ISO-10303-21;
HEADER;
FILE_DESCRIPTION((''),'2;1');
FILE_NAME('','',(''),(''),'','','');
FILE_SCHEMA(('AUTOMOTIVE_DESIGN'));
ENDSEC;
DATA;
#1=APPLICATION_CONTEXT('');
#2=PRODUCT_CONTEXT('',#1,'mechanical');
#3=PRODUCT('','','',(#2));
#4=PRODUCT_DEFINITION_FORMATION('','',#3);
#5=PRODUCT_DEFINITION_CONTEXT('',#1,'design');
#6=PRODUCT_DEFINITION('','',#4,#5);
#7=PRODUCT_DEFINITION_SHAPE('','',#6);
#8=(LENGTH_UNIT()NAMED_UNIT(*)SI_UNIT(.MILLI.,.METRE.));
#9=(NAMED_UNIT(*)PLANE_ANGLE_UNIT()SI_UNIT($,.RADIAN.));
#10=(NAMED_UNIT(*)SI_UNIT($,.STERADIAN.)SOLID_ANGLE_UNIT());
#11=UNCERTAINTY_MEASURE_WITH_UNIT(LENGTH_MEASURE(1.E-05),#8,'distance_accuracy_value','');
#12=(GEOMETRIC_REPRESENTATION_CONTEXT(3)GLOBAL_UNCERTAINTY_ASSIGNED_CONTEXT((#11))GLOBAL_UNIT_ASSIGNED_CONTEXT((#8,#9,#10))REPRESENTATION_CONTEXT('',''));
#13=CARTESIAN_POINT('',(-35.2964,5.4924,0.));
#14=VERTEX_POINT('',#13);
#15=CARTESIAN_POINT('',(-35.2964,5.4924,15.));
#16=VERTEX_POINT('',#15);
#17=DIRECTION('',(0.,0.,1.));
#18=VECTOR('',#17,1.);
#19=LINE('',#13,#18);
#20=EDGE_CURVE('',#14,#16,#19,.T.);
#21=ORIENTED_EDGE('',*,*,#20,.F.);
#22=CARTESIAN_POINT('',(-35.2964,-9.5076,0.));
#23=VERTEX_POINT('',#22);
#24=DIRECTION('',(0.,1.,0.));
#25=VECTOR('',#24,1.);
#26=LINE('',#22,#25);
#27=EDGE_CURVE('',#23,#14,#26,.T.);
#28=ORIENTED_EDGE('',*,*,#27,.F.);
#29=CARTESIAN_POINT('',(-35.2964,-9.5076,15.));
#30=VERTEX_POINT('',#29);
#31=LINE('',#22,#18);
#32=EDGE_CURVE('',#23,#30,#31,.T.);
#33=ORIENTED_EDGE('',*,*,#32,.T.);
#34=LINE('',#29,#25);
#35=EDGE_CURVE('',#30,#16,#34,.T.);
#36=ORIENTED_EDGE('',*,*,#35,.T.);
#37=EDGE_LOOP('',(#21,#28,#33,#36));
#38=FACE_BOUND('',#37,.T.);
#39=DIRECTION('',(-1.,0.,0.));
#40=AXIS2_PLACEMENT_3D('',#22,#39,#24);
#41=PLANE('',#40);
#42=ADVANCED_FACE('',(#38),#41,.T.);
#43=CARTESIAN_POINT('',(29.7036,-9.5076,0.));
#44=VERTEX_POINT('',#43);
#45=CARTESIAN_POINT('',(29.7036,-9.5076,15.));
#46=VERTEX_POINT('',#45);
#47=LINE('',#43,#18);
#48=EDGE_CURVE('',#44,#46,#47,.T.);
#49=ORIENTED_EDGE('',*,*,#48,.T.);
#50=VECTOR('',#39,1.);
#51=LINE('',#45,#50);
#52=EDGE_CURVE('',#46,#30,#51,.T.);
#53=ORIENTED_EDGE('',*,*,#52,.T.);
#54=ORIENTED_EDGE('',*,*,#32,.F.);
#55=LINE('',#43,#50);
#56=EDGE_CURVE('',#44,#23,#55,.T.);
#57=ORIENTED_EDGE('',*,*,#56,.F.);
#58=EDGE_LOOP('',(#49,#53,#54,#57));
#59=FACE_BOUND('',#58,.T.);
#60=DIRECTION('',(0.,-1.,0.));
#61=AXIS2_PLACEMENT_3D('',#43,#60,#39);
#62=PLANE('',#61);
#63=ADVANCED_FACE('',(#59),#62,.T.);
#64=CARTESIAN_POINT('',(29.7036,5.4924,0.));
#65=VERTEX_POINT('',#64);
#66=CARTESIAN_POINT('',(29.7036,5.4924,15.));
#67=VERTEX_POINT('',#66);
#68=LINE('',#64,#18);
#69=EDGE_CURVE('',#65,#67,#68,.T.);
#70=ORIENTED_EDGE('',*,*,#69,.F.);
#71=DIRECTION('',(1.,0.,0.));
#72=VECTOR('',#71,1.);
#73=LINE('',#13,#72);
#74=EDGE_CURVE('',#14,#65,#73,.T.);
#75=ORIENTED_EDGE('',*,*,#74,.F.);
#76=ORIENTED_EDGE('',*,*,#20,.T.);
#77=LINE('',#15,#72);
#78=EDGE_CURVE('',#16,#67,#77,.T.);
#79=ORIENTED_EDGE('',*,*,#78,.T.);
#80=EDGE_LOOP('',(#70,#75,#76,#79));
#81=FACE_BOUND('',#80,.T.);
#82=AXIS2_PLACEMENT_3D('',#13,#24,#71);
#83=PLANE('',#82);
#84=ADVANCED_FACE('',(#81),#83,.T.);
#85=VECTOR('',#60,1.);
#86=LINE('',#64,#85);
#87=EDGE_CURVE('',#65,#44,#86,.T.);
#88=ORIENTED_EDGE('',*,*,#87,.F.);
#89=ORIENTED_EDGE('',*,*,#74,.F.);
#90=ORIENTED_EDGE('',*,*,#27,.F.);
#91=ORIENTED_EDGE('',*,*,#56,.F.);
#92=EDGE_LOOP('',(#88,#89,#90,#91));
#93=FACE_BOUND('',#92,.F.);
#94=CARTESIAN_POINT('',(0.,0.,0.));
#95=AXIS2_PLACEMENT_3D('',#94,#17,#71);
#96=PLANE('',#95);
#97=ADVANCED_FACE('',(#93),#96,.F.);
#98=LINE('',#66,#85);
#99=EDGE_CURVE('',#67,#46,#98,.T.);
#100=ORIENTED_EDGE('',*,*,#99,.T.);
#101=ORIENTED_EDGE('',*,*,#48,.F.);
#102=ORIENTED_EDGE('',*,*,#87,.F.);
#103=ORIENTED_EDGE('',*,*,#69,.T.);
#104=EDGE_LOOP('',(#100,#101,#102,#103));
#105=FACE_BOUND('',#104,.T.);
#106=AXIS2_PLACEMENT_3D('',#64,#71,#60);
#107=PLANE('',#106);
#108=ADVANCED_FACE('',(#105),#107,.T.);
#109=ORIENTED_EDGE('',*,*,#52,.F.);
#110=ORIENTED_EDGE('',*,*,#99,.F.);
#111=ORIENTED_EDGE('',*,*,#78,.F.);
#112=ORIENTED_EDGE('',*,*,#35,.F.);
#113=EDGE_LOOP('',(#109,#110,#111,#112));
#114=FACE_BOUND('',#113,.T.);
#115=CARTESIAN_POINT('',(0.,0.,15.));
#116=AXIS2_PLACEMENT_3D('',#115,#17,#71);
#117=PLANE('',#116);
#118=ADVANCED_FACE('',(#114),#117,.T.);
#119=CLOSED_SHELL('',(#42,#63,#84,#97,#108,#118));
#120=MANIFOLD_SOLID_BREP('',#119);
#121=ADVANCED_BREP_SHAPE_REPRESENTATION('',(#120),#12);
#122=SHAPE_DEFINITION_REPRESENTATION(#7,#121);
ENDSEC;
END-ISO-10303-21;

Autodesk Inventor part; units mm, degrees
ref_plane "YZ Plane" through (0, 0, 0) normal (1, 0, 0) x (0, 1, 0)
ref_plane "XZ Plane" through (0, 0, 0) normal (0, 1, 0) x (-1, 0, 0)
ref_plane "XY Plane" through (0, 0, 0) normal (0, 0, 1) x (1, 0, 0)
sketch "スケッチ1" plane through (0, 0, 0) normal (0, 0, 1) x (1, 0, 0)
  line L0 (-35.2964, 5.4924) -> (29.7036, 5.4924)
  line L1 (29.7036, 5.4924) -> (29.7036, -9.5076)
  line L2 (29.7036, -9.5076) -> (-35.2964, -9.5076)
  line L3 (-35.2964, -9.5076) -> (-35.2964, 5.4924)
  point P0 (0, 0)
  dimension "d0" = 65
  dimension "d3" = 15
extrude "押し出し1" add sketch "スケッチ1" along normal blind 15
properties part number "おもり1"
